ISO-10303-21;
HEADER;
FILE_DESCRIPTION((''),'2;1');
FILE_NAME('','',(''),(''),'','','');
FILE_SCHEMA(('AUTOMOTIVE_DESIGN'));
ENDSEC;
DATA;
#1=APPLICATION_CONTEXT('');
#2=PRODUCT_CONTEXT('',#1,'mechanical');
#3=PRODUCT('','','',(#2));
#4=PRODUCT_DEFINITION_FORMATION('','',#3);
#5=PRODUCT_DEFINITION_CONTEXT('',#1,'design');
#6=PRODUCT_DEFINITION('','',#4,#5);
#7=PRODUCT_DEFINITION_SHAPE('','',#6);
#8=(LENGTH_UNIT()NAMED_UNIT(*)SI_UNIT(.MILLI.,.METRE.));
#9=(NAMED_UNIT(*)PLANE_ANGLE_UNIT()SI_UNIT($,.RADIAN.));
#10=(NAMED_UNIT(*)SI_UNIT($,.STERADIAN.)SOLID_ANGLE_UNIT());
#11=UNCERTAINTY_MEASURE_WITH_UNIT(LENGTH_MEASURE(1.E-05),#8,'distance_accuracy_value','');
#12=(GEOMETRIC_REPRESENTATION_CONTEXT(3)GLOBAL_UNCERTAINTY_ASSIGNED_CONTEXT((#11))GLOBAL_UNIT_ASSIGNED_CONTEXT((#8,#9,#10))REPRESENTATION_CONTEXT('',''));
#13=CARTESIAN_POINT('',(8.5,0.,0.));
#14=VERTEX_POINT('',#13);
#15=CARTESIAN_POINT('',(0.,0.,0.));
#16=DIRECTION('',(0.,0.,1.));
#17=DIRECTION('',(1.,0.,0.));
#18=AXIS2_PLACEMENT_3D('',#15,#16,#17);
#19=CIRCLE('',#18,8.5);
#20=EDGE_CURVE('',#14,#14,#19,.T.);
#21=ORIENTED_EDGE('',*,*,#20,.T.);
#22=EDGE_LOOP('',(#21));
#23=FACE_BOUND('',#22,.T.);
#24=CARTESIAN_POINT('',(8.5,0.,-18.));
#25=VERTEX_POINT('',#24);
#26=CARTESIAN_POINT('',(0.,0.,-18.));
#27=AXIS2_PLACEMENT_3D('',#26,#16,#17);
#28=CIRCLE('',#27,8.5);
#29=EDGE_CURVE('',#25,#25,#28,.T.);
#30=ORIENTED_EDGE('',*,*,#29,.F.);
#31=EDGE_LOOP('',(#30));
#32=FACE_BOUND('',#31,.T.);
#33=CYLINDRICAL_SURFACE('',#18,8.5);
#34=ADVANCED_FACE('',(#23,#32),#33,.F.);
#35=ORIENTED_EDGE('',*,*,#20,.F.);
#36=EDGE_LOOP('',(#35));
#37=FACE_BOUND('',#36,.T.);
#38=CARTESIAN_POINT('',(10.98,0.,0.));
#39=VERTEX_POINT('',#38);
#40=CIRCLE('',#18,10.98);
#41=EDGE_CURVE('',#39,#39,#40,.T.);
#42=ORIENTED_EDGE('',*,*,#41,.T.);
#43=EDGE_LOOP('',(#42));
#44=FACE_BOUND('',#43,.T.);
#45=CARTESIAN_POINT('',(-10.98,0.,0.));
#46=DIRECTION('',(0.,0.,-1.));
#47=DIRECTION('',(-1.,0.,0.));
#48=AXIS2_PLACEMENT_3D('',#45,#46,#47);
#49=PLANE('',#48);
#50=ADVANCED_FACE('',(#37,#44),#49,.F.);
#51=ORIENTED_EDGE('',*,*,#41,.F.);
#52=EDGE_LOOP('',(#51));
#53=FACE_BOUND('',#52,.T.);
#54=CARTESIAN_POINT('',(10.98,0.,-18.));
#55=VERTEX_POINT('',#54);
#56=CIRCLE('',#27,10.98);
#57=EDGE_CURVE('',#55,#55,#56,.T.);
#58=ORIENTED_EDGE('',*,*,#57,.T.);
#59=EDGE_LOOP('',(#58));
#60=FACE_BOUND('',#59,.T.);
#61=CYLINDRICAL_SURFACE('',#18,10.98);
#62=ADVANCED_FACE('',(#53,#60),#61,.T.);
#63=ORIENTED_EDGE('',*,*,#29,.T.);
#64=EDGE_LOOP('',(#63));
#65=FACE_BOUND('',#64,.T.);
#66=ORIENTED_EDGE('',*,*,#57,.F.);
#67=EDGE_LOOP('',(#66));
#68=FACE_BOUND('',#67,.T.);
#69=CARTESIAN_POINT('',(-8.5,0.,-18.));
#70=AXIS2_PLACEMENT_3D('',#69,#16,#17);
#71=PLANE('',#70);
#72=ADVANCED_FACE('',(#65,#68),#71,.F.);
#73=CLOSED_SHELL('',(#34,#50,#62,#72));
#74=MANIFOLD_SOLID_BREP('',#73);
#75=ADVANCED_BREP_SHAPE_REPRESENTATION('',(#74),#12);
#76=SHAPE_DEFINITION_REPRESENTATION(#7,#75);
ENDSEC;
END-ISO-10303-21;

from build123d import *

# Parameters (mm, degrees)
SKETCH1_W = 2.48
SKETCH1_H = 18


with BuildPart() as part:
    # Sketch1 → Revolve1 (revolve)
    with BuildSketch(Plane(origin=(0, 0, 0), x_dir=(1, 0, 0), z_dir=(0, 1, 0)), mode=Mode.PRIVATE) as revolve1_sk:
        with Locations((-9.74, 9)):
            Rectangle(SKETCH1_W, SKETCH1_H)
    revolve(revolve1_sk.sketch.rotate(Axis((0, 0, 0), (0, 0, -1)), 180), axis=Axis((0, 0, 0), (0, 0, -1)))


solid = part.part
